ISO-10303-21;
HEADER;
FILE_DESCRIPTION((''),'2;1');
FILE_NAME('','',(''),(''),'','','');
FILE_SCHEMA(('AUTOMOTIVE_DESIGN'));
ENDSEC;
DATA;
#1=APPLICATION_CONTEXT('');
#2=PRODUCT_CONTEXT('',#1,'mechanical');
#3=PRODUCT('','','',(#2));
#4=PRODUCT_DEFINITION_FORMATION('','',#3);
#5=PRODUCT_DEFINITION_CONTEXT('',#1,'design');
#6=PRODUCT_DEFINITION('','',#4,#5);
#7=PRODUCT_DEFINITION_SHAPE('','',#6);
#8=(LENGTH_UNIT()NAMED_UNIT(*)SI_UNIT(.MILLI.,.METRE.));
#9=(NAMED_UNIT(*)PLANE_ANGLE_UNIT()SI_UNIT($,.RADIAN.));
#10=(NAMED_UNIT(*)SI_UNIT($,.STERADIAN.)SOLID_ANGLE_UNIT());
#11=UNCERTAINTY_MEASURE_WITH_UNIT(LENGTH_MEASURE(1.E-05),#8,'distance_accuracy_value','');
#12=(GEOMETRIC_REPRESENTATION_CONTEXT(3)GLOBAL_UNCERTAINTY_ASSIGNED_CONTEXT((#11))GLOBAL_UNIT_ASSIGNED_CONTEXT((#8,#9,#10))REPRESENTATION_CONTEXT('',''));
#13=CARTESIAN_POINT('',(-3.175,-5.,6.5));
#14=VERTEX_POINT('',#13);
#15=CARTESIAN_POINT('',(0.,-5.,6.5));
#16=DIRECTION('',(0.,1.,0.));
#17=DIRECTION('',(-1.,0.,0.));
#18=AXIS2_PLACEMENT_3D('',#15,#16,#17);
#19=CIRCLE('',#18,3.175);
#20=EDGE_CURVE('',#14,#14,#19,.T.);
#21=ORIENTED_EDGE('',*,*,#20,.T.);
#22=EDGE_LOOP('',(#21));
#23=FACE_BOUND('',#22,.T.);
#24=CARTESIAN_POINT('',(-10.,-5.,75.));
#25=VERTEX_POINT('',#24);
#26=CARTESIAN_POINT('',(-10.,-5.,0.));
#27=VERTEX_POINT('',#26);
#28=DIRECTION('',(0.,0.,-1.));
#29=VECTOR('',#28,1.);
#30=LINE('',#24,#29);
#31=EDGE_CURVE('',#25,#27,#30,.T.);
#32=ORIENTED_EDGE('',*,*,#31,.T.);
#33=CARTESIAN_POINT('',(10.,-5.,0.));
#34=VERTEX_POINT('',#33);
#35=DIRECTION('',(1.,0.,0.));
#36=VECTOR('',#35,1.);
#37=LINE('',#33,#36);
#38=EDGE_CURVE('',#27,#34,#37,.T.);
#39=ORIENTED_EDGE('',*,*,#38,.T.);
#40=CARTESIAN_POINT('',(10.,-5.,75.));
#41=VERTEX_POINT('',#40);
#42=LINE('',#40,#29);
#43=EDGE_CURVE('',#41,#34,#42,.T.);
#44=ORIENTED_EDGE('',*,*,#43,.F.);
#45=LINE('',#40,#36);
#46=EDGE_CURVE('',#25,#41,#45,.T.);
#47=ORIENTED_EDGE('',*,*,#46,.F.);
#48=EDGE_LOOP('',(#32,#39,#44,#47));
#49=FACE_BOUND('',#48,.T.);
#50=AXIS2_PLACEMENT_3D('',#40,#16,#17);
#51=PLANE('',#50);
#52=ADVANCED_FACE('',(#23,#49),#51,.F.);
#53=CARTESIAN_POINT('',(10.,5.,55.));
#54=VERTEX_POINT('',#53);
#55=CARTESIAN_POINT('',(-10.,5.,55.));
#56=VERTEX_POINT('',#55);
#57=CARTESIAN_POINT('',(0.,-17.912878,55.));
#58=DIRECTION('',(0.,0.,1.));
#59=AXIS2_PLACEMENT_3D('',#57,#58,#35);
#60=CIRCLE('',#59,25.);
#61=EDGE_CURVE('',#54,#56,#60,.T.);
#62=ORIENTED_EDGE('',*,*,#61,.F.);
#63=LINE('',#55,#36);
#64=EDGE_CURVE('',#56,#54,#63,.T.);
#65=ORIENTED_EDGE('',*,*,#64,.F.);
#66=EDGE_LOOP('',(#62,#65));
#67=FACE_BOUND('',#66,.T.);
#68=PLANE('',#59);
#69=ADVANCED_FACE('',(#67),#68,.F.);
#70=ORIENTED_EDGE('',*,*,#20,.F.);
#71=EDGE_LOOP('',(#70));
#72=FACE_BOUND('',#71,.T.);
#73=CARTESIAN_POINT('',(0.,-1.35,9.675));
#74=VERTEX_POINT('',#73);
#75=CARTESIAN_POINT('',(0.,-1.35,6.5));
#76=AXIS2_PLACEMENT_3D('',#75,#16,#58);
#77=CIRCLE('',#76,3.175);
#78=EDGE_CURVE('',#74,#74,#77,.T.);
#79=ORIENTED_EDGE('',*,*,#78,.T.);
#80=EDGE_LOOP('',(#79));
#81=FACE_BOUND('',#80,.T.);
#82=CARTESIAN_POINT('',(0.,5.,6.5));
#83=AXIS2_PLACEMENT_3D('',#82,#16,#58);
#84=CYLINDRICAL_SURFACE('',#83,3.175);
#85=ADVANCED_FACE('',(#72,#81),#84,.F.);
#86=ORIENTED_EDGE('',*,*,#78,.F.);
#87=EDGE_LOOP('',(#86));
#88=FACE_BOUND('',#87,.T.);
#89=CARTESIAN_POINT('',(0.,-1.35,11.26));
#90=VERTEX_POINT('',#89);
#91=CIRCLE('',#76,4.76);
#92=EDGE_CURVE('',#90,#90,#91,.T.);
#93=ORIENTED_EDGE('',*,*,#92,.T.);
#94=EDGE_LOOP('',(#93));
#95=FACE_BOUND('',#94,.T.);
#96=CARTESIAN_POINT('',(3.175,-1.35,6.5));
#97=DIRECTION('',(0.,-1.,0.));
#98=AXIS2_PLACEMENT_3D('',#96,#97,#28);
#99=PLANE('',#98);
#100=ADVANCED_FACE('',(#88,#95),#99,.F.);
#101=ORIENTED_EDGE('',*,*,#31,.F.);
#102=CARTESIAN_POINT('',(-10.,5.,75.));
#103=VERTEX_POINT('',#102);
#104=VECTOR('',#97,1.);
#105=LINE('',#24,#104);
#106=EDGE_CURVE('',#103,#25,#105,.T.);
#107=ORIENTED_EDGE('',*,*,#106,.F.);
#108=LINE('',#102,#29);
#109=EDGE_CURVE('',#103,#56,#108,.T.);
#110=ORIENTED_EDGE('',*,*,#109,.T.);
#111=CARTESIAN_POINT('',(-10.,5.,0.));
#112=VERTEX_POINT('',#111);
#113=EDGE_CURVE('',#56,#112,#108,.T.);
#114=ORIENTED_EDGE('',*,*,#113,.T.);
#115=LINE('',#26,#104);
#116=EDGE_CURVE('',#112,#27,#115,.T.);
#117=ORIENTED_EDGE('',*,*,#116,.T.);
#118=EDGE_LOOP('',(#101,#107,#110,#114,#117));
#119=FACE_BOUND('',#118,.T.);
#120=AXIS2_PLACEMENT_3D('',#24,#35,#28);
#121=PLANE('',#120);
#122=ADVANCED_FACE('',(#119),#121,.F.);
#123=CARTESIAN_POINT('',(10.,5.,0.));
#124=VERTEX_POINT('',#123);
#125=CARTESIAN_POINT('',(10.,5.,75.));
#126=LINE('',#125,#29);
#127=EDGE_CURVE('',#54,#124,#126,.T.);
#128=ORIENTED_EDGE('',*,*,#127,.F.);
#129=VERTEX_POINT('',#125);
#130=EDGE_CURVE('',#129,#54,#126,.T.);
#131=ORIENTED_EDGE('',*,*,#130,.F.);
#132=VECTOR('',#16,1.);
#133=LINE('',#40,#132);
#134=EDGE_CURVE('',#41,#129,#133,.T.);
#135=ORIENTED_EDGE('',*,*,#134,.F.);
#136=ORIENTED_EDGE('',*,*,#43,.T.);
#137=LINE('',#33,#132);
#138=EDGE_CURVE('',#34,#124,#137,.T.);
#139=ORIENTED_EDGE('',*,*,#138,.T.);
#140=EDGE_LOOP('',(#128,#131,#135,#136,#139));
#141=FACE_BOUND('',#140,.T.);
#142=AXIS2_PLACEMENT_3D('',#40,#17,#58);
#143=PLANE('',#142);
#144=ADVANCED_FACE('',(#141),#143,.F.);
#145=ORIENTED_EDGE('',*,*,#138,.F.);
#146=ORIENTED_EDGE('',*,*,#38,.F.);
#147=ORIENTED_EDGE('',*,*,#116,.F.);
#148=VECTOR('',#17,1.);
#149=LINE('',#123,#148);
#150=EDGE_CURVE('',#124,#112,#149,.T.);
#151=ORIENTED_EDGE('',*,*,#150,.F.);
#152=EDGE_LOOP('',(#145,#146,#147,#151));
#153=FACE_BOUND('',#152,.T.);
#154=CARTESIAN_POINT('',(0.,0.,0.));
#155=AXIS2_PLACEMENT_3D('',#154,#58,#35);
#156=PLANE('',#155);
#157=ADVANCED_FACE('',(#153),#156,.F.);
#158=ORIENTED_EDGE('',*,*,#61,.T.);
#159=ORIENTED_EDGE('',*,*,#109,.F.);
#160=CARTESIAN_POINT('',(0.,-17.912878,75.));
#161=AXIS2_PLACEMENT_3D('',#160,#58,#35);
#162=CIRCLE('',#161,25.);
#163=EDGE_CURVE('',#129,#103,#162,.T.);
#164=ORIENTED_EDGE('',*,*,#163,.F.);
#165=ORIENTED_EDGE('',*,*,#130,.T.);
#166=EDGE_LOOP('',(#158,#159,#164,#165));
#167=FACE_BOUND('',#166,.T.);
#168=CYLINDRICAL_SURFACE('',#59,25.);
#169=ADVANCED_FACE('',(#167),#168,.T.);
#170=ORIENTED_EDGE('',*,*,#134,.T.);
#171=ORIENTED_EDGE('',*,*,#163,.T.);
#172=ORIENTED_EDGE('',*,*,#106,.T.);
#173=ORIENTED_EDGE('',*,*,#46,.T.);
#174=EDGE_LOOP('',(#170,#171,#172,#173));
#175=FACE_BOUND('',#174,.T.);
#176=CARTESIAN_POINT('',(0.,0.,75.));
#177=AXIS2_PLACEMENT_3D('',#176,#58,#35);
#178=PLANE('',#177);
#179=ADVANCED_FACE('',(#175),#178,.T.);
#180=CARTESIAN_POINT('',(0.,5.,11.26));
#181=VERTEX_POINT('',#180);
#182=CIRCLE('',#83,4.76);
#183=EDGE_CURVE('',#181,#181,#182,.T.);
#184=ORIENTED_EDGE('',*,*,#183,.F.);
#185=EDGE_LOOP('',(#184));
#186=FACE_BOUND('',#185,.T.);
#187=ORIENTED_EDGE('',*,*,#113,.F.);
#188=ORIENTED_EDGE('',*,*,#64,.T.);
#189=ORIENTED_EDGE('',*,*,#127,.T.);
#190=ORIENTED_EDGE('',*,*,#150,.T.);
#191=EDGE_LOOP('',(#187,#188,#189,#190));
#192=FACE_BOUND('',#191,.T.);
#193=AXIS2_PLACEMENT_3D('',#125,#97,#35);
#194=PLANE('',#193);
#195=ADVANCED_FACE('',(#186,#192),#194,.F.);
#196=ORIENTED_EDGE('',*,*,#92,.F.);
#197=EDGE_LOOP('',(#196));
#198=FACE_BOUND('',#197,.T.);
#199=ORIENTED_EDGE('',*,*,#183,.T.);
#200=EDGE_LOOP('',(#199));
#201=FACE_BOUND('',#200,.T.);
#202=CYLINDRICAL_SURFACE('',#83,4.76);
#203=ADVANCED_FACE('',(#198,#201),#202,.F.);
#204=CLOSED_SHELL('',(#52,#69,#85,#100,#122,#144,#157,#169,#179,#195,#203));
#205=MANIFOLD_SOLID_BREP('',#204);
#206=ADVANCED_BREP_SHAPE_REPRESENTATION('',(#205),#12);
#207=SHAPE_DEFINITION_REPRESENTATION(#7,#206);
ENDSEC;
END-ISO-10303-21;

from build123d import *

# Parameters (mm, degrees)
ESBO_O1_W                = 20
ESBO_O1_H                = 10
RESSALTO_EXTRUS_O1_DEPTH = 75
FURO1_D                  = 6.35
FURO1_DEPTH              = 14.916024102
FURO1_CBORE_D            = 9.52
FURO1_CBORE_DEPTH        = 6.35
RESSALTO_EXTRUS_O2_DEPTH = 20


with BuildPart() as part:
    # Esboço1 → Ressalto-extrusão1 (new body)
    with BuildSketch(Plane.XY):
        Rectangle(ESBO_O1_W, ESBO_O1_H)
    extrude(amount=RESSALTO_EXTRUS_O1_DEPTH)

    # Furo1
    with Locations(Plane(origin=(0, 5, 0), x_dir=(1, 0, 0), z_dir=(0, 1, 0))):
        with Locations((0, -6.5)):
            CounterBoreHole(FURO1_D / 2, FURO1_CBORE_D / 2, FURO1_CBORE_DEPTH, depth=FURO1_DEPTH)

    # Esboço4 → Ressalto-extrusão2 (add)
    with BuildSketch(Plane.XY.offset(75)):
        with BuildLine():
            Line((-10, 5), (10, 5))
            ThreePointArc((10, 5), (0, 7.087121525), (-10, 5))
        make_face()
    extrude(amount=-RESSALTO_EXTRUS_O2_DEPTH)


solid = part.part
